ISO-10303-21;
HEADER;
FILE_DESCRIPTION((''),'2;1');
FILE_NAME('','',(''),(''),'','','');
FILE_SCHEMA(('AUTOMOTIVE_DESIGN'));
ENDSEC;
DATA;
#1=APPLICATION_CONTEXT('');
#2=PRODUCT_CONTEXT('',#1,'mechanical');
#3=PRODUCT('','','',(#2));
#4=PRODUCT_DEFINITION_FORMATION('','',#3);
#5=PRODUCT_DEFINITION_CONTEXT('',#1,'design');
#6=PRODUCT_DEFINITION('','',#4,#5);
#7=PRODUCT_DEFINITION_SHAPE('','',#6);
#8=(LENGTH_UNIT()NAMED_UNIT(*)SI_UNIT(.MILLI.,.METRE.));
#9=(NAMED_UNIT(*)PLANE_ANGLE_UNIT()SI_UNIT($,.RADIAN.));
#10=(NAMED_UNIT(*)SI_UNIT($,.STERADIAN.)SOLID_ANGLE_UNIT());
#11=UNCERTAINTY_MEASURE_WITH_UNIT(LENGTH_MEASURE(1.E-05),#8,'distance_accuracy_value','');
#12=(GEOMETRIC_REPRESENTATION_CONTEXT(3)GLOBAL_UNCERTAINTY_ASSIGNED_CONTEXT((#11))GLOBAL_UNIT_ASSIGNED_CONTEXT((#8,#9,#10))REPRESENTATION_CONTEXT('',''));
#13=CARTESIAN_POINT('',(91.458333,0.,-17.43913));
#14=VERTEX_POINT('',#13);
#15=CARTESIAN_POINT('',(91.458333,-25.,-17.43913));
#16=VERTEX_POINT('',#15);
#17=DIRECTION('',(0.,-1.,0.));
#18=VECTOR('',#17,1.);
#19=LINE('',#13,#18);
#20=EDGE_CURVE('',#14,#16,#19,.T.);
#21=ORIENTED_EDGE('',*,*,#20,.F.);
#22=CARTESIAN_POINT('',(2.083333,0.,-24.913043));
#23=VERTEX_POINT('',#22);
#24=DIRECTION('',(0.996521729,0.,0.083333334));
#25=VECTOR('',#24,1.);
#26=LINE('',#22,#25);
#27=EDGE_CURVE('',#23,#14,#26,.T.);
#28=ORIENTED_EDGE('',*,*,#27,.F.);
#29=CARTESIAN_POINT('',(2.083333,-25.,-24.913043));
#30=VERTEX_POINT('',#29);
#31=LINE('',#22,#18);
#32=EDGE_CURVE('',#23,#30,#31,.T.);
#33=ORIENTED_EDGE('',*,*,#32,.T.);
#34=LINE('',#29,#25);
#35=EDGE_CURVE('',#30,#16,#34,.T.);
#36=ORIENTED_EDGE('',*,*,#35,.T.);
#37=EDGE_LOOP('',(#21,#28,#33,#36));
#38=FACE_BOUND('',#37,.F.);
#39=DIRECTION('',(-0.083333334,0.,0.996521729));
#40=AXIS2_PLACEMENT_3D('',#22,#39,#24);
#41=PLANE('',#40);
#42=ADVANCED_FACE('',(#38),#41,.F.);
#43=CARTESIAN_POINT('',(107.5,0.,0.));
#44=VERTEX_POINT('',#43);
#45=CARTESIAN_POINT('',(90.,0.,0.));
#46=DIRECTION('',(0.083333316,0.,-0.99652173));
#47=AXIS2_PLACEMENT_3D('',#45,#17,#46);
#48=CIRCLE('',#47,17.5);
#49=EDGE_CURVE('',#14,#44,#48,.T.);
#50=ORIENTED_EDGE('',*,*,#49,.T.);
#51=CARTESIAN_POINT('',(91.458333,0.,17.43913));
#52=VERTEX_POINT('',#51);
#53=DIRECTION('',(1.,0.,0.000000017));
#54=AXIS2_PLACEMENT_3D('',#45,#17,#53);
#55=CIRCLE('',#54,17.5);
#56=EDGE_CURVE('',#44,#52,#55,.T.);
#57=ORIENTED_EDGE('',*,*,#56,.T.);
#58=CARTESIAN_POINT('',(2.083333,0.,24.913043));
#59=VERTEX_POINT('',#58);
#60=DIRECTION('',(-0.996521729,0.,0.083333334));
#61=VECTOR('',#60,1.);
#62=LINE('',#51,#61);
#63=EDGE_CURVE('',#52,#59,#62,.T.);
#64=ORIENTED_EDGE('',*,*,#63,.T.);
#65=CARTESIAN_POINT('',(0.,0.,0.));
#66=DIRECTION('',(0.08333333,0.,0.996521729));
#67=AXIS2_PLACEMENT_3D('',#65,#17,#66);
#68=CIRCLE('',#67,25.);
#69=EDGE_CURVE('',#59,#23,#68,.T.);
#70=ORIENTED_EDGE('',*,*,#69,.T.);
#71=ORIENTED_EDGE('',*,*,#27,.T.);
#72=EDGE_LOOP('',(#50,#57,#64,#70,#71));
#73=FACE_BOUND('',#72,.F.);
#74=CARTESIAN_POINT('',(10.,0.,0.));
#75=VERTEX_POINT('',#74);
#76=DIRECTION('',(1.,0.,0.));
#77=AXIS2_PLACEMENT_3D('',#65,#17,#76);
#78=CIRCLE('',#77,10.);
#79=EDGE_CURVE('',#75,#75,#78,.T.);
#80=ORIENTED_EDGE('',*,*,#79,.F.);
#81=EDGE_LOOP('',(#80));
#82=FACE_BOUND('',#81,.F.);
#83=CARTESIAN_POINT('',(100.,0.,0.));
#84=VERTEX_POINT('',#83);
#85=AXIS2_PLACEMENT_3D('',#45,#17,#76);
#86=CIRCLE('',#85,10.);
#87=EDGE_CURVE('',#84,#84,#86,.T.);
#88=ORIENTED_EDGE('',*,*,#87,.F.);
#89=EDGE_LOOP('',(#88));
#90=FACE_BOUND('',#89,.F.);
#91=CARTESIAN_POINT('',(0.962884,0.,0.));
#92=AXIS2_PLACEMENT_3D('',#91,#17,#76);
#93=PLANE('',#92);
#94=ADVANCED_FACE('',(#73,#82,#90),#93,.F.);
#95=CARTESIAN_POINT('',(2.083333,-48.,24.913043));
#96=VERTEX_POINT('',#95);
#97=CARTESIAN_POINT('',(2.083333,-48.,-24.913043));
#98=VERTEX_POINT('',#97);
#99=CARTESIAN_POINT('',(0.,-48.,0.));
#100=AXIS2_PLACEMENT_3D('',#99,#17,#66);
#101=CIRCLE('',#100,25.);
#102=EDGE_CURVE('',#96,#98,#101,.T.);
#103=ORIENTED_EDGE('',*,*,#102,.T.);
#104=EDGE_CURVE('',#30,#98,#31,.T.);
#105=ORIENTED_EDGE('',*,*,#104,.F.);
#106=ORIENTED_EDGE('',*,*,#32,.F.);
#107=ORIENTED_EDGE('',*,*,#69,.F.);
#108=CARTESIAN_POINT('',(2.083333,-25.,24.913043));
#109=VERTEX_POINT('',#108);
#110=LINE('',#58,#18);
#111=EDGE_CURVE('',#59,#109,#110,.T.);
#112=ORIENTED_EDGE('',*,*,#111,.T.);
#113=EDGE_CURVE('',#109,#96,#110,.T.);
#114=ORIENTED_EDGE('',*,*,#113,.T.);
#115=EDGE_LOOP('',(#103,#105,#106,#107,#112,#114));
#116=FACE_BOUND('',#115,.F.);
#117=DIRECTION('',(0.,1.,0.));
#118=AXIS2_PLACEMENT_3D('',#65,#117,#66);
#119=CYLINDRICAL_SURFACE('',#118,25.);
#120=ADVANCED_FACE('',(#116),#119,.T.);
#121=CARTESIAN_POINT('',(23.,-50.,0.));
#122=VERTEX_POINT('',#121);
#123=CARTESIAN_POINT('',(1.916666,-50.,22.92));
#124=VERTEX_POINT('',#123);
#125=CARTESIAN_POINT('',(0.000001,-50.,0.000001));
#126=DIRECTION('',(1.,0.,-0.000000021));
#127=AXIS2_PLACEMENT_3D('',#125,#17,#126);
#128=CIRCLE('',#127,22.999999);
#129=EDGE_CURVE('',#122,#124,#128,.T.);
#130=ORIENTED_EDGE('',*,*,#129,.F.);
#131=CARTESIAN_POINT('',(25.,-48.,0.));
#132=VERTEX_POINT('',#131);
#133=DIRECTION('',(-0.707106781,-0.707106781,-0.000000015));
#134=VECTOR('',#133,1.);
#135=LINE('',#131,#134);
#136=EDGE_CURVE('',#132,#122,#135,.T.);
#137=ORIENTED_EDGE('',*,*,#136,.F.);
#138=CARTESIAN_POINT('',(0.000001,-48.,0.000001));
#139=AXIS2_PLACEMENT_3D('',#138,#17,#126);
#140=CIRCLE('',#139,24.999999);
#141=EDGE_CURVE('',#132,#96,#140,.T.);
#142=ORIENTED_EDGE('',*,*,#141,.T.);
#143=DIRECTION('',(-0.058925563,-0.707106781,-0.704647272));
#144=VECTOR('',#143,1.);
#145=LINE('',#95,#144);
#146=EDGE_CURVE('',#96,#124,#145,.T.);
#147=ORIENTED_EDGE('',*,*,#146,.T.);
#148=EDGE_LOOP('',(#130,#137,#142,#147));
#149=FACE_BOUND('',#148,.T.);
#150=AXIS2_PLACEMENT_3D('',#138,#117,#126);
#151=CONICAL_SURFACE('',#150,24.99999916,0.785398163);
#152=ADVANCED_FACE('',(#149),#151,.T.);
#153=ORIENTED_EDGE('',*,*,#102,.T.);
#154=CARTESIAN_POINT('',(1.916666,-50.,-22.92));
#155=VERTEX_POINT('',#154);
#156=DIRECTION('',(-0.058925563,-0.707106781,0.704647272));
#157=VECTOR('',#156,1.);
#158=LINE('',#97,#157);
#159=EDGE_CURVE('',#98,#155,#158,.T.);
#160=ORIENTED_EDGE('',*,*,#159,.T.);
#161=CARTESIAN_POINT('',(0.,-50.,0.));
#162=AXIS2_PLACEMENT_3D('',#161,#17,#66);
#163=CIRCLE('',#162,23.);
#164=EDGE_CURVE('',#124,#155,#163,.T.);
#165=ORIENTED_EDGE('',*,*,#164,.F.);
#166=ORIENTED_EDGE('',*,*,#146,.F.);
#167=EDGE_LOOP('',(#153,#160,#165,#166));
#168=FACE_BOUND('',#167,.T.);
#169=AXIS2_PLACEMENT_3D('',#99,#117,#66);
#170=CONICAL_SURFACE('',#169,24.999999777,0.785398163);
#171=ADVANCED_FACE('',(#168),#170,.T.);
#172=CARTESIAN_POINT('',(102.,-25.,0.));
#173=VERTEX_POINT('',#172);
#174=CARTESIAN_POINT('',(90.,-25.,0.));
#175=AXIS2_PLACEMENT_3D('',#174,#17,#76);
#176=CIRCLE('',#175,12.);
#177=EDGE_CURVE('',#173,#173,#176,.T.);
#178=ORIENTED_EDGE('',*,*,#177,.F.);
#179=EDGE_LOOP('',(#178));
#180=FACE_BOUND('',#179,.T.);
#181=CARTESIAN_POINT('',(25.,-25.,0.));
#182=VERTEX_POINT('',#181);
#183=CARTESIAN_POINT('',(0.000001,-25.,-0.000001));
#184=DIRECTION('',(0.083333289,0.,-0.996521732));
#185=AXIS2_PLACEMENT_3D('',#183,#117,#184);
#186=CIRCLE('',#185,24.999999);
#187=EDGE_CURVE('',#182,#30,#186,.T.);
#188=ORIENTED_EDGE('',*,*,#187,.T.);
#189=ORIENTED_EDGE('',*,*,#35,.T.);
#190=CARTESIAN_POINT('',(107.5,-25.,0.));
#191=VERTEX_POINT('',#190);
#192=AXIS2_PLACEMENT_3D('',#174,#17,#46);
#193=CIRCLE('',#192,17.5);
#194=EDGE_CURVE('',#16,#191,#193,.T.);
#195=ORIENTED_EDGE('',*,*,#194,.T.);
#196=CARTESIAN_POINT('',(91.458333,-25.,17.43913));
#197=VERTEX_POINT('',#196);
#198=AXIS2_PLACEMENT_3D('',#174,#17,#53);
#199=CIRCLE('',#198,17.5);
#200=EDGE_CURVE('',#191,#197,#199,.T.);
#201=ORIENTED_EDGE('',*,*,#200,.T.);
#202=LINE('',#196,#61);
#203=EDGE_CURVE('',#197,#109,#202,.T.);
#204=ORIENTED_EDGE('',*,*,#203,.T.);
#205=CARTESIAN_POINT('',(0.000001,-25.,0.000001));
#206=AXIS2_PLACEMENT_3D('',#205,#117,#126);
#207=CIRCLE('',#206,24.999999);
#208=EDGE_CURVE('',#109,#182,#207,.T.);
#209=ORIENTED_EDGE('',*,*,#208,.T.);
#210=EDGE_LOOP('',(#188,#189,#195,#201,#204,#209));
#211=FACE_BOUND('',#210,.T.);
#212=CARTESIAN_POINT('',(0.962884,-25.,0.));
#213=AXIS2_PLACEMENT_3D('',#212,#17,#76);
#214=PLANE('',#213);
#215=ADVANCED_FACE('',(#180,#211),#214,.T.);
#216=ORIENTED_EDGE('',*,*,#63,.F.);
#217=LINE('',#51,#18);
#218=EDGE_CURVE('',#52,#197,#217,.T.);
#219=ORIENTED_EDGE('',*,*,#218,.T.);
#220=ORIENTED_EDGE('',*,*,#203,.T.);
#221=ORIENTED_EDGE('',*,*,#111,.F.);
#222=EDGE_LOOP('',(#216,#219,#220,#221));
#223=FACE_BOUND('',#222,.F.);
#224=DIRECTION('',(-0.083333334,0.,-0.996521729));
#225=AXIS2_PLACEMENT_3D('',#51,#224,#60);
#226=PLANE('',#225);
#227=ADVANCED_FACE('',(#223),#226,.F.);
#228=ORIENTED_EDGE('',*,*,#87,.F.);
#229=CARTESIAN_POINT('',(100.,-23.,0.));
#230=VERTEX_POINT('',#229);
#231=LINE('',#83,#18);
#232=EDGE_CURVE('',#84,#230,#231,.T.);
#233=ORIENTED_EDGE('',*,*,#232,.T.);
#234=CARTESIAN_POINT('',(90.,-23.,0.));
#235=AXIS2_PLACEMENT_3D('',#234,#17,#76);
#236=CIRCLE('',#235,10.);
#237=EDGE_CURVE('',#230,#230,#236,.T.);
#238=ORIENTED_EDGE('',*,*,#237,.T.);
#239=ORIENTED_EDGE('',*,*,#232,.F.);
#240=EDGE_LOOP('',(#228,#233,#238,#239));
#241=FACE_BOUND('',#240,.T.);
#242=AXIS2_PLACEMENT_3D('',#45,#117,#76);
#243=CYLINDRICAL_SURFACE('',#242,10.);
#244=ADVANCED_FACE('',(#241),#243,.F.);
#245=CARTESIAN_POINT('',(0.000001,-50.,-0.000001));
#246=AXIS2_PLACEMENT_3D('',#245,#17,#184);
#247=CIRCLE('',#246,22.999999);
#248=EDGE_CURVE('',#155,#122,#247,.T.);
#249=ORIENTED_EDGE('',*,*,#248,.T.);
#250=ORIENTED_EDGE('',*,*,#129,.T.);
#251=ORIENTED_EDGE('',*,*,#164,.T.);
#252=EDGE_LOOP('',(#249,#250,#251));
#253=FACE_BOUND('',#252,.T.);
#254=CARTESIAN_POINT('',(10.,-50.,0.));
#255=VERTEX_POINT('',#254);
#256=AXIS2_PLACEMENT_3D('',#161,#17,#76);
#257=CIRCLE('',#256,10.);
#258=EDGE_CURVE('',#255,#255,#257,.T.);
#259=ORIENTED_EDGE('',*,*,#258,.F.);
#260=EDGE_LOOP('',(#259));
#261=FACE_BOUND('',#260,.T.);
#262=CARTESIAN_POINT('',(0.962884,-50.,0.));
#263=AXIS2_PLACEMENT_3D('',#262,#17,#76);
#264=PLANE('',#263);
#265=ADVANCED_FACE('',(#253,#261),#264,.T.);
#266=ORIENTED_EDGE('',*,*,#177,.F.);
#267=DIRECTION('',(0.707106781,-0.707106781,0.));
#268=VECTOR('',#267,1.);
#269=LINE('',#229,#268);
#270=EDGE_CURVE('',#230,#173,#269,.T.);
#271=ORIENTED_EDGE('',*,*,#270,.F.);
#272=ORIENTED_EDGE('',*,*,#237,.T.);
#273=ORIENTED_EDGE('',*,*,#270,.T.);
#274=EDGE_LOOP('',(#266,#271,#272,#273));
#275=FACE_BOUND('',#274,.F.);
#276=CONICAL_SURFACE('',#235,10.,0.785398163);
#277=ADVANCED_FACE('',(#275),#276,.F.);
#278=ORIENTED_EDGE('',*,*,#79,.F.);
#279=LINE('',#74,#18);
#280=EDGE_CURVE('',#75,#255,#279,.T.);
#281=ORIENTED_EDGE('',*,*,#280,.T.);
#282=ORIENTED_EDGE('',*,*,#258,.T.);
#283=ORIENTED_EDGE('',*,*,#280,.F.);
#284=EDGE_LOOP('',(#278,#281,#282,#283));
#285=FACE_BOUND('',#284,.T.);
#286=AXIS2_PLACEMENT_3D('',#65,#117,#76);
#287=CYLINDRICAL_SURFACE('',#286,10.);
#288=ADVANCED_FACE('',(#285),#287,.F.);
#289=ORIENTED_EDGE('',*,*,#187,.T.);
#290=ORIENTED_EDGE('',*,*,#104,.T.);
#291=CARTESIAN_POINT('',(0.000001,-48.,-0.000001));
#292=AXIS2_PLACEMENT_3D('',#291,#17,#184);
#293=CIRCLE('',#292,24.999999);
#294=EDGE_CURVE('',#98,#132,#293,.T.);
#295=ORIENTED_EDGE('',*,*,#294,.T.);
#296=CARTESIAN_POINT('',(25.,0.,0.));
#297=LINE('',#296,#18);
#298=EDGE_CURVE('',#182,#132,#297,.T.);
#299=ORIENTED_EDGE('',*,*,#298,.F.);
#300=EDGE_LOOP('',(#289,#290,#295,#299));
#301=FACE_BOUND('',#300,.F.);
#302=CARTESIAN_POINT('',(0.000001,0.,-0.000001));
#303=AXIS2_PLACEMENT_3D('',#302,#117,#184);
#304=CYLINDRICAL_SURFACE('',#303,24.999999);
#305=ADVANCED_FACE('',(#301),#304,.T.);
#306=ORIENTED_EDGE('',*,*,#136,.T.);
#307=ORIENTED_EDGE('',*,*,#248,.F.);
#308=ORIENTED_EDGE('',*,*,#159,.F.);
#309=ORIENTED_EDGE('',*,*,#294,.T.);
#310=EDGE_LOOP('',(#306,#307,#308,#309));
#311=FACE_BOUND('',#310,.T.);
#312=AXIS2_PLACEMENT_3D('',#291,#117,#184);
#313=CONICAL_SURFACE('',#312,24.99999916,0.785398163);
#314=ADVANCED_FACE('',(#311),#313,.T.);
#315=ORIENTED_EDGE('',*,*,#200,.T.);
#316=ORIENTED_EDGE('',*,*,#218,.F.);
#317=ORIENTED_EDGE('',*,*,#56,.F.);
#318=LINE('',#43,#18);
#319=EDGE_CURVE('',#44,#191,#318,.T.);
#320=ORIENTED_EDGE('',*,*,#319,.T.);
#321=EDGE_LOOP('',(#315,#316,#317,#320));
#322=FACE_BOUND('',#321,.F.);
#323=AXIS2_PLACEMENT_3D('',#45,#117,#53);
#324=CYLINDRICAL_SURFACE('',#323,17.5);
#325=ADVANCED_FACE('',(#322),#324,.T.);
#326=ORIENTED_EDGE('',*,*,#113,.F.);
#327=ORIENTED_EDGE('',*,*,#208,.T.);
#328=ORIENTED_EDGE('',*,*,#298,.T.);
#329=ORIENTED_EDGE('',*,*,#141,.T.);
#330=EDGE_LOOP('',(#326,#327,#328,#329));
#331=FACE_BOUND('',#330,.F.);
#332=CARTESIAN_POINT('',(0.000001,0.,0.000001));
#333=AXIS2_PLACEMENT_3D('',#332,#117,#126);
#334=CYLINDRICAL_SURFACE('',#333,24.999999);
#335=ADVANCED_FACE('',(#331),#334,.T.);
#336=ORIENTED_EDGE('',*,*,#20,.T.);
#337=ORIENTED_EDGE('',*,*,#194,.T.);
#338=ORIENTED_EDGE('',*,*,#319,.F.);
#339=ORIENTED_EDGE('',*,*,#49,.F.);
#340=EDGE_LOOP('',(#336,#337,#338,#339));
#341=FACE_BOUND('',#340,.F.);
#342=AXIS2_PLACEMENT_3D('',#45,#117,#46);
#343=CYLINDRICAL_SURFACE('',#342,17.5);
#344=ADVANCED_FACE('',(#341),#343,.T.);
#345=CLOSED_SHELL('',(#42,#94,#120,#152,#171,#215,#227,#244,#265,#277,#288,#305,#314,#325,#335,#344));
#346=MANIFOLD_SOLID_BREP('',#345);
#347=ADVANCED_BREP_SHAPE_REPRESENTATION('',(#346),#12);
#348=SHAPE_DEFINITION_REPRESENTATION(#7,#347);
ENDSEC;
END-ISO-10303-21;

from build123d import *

# Parameters (mm, degrees)
F0_R     = 10
F1_DEPTH = 25
F2_DEPTH = 50
F3_SIZE  = 2


with BuildPart() as f1:
    # F0 (on Front) → F1 (new body)
    with BuildSketch(Plane.XZ):
        with BuildLine():
            ThreePointArc((2.083333, 24.913043), (-25, 0), (2.083333, -24.913043))
            ThreePointArc((2.083333, -24.913043), (18.399502, -16.92508), (25, 0))
            ThreePointArc((25, 0), (18.399502, 16.92508), (2.083333, 24.913043))
        make_face()
        Circle(F0_R, mode=Mode.SUBTRACT)
        with BuildLine():
            ThreePointArc((25, 0), (18.399502, -16.92508), (2.083333, -24.913043))
            Line((2.083333, -24.913043), (91.458333, -17.43913))
            ThreePointArc((91.458333, -17.43913), (72.5, 0), (91.458333, 17.43913))
            Line((91.458333, 17.43913), (2.083333, 24.913043))
            ThreePointArc((2.083333, 24.913043), (18.399502, 16.92508), (25, 0))
        make_face()
        with BuildLine():
            ThreePointArc((91.458333, 17.43913), (72.5, 0), (91.458333, -17.43913))
            ThreePointArc((91.458333, -17.43913), (102.879651, -11.847556), (107.5, 0))
            ThreePointArc((107.5, 0), (102.879651, 11.847556), (91.458333, 17.43913))
        make_face()
        with Locations((90, 0)):
            Circle(F0_R, mode=Mode.SUBTRACT)
    extrude(amount=F1_DEPTH)

    # F0 (on Front) → F2 (join)
    with BuildSketch(Plane.XZ):
        with BuildLine():
            ThreePointArc((2.083333, 24.913043), (-25, 0), (2.083333, -24.913043))
            ThreePointArc((2.083333, -24.913043), (18.399502, -16.92508), (25, 0))
            ThreePointArc((25, 0), (18.399502, 16.92508), (2.083333, 24.913043))
        make_face()
        Circle(F0_R, mode=Mode.SUBTRACT)
    extrude(amount=F2_DEPTH)

    # F3
    f3_edges = [f1.edges().sort_by_distance(p)[0] for p in [
        (-2.083333, -50, 24.913043),
        (80, -25, 0),
    ]]
    chamfer(f3_edges, length=F3_SIZE)


solid = f1.part
